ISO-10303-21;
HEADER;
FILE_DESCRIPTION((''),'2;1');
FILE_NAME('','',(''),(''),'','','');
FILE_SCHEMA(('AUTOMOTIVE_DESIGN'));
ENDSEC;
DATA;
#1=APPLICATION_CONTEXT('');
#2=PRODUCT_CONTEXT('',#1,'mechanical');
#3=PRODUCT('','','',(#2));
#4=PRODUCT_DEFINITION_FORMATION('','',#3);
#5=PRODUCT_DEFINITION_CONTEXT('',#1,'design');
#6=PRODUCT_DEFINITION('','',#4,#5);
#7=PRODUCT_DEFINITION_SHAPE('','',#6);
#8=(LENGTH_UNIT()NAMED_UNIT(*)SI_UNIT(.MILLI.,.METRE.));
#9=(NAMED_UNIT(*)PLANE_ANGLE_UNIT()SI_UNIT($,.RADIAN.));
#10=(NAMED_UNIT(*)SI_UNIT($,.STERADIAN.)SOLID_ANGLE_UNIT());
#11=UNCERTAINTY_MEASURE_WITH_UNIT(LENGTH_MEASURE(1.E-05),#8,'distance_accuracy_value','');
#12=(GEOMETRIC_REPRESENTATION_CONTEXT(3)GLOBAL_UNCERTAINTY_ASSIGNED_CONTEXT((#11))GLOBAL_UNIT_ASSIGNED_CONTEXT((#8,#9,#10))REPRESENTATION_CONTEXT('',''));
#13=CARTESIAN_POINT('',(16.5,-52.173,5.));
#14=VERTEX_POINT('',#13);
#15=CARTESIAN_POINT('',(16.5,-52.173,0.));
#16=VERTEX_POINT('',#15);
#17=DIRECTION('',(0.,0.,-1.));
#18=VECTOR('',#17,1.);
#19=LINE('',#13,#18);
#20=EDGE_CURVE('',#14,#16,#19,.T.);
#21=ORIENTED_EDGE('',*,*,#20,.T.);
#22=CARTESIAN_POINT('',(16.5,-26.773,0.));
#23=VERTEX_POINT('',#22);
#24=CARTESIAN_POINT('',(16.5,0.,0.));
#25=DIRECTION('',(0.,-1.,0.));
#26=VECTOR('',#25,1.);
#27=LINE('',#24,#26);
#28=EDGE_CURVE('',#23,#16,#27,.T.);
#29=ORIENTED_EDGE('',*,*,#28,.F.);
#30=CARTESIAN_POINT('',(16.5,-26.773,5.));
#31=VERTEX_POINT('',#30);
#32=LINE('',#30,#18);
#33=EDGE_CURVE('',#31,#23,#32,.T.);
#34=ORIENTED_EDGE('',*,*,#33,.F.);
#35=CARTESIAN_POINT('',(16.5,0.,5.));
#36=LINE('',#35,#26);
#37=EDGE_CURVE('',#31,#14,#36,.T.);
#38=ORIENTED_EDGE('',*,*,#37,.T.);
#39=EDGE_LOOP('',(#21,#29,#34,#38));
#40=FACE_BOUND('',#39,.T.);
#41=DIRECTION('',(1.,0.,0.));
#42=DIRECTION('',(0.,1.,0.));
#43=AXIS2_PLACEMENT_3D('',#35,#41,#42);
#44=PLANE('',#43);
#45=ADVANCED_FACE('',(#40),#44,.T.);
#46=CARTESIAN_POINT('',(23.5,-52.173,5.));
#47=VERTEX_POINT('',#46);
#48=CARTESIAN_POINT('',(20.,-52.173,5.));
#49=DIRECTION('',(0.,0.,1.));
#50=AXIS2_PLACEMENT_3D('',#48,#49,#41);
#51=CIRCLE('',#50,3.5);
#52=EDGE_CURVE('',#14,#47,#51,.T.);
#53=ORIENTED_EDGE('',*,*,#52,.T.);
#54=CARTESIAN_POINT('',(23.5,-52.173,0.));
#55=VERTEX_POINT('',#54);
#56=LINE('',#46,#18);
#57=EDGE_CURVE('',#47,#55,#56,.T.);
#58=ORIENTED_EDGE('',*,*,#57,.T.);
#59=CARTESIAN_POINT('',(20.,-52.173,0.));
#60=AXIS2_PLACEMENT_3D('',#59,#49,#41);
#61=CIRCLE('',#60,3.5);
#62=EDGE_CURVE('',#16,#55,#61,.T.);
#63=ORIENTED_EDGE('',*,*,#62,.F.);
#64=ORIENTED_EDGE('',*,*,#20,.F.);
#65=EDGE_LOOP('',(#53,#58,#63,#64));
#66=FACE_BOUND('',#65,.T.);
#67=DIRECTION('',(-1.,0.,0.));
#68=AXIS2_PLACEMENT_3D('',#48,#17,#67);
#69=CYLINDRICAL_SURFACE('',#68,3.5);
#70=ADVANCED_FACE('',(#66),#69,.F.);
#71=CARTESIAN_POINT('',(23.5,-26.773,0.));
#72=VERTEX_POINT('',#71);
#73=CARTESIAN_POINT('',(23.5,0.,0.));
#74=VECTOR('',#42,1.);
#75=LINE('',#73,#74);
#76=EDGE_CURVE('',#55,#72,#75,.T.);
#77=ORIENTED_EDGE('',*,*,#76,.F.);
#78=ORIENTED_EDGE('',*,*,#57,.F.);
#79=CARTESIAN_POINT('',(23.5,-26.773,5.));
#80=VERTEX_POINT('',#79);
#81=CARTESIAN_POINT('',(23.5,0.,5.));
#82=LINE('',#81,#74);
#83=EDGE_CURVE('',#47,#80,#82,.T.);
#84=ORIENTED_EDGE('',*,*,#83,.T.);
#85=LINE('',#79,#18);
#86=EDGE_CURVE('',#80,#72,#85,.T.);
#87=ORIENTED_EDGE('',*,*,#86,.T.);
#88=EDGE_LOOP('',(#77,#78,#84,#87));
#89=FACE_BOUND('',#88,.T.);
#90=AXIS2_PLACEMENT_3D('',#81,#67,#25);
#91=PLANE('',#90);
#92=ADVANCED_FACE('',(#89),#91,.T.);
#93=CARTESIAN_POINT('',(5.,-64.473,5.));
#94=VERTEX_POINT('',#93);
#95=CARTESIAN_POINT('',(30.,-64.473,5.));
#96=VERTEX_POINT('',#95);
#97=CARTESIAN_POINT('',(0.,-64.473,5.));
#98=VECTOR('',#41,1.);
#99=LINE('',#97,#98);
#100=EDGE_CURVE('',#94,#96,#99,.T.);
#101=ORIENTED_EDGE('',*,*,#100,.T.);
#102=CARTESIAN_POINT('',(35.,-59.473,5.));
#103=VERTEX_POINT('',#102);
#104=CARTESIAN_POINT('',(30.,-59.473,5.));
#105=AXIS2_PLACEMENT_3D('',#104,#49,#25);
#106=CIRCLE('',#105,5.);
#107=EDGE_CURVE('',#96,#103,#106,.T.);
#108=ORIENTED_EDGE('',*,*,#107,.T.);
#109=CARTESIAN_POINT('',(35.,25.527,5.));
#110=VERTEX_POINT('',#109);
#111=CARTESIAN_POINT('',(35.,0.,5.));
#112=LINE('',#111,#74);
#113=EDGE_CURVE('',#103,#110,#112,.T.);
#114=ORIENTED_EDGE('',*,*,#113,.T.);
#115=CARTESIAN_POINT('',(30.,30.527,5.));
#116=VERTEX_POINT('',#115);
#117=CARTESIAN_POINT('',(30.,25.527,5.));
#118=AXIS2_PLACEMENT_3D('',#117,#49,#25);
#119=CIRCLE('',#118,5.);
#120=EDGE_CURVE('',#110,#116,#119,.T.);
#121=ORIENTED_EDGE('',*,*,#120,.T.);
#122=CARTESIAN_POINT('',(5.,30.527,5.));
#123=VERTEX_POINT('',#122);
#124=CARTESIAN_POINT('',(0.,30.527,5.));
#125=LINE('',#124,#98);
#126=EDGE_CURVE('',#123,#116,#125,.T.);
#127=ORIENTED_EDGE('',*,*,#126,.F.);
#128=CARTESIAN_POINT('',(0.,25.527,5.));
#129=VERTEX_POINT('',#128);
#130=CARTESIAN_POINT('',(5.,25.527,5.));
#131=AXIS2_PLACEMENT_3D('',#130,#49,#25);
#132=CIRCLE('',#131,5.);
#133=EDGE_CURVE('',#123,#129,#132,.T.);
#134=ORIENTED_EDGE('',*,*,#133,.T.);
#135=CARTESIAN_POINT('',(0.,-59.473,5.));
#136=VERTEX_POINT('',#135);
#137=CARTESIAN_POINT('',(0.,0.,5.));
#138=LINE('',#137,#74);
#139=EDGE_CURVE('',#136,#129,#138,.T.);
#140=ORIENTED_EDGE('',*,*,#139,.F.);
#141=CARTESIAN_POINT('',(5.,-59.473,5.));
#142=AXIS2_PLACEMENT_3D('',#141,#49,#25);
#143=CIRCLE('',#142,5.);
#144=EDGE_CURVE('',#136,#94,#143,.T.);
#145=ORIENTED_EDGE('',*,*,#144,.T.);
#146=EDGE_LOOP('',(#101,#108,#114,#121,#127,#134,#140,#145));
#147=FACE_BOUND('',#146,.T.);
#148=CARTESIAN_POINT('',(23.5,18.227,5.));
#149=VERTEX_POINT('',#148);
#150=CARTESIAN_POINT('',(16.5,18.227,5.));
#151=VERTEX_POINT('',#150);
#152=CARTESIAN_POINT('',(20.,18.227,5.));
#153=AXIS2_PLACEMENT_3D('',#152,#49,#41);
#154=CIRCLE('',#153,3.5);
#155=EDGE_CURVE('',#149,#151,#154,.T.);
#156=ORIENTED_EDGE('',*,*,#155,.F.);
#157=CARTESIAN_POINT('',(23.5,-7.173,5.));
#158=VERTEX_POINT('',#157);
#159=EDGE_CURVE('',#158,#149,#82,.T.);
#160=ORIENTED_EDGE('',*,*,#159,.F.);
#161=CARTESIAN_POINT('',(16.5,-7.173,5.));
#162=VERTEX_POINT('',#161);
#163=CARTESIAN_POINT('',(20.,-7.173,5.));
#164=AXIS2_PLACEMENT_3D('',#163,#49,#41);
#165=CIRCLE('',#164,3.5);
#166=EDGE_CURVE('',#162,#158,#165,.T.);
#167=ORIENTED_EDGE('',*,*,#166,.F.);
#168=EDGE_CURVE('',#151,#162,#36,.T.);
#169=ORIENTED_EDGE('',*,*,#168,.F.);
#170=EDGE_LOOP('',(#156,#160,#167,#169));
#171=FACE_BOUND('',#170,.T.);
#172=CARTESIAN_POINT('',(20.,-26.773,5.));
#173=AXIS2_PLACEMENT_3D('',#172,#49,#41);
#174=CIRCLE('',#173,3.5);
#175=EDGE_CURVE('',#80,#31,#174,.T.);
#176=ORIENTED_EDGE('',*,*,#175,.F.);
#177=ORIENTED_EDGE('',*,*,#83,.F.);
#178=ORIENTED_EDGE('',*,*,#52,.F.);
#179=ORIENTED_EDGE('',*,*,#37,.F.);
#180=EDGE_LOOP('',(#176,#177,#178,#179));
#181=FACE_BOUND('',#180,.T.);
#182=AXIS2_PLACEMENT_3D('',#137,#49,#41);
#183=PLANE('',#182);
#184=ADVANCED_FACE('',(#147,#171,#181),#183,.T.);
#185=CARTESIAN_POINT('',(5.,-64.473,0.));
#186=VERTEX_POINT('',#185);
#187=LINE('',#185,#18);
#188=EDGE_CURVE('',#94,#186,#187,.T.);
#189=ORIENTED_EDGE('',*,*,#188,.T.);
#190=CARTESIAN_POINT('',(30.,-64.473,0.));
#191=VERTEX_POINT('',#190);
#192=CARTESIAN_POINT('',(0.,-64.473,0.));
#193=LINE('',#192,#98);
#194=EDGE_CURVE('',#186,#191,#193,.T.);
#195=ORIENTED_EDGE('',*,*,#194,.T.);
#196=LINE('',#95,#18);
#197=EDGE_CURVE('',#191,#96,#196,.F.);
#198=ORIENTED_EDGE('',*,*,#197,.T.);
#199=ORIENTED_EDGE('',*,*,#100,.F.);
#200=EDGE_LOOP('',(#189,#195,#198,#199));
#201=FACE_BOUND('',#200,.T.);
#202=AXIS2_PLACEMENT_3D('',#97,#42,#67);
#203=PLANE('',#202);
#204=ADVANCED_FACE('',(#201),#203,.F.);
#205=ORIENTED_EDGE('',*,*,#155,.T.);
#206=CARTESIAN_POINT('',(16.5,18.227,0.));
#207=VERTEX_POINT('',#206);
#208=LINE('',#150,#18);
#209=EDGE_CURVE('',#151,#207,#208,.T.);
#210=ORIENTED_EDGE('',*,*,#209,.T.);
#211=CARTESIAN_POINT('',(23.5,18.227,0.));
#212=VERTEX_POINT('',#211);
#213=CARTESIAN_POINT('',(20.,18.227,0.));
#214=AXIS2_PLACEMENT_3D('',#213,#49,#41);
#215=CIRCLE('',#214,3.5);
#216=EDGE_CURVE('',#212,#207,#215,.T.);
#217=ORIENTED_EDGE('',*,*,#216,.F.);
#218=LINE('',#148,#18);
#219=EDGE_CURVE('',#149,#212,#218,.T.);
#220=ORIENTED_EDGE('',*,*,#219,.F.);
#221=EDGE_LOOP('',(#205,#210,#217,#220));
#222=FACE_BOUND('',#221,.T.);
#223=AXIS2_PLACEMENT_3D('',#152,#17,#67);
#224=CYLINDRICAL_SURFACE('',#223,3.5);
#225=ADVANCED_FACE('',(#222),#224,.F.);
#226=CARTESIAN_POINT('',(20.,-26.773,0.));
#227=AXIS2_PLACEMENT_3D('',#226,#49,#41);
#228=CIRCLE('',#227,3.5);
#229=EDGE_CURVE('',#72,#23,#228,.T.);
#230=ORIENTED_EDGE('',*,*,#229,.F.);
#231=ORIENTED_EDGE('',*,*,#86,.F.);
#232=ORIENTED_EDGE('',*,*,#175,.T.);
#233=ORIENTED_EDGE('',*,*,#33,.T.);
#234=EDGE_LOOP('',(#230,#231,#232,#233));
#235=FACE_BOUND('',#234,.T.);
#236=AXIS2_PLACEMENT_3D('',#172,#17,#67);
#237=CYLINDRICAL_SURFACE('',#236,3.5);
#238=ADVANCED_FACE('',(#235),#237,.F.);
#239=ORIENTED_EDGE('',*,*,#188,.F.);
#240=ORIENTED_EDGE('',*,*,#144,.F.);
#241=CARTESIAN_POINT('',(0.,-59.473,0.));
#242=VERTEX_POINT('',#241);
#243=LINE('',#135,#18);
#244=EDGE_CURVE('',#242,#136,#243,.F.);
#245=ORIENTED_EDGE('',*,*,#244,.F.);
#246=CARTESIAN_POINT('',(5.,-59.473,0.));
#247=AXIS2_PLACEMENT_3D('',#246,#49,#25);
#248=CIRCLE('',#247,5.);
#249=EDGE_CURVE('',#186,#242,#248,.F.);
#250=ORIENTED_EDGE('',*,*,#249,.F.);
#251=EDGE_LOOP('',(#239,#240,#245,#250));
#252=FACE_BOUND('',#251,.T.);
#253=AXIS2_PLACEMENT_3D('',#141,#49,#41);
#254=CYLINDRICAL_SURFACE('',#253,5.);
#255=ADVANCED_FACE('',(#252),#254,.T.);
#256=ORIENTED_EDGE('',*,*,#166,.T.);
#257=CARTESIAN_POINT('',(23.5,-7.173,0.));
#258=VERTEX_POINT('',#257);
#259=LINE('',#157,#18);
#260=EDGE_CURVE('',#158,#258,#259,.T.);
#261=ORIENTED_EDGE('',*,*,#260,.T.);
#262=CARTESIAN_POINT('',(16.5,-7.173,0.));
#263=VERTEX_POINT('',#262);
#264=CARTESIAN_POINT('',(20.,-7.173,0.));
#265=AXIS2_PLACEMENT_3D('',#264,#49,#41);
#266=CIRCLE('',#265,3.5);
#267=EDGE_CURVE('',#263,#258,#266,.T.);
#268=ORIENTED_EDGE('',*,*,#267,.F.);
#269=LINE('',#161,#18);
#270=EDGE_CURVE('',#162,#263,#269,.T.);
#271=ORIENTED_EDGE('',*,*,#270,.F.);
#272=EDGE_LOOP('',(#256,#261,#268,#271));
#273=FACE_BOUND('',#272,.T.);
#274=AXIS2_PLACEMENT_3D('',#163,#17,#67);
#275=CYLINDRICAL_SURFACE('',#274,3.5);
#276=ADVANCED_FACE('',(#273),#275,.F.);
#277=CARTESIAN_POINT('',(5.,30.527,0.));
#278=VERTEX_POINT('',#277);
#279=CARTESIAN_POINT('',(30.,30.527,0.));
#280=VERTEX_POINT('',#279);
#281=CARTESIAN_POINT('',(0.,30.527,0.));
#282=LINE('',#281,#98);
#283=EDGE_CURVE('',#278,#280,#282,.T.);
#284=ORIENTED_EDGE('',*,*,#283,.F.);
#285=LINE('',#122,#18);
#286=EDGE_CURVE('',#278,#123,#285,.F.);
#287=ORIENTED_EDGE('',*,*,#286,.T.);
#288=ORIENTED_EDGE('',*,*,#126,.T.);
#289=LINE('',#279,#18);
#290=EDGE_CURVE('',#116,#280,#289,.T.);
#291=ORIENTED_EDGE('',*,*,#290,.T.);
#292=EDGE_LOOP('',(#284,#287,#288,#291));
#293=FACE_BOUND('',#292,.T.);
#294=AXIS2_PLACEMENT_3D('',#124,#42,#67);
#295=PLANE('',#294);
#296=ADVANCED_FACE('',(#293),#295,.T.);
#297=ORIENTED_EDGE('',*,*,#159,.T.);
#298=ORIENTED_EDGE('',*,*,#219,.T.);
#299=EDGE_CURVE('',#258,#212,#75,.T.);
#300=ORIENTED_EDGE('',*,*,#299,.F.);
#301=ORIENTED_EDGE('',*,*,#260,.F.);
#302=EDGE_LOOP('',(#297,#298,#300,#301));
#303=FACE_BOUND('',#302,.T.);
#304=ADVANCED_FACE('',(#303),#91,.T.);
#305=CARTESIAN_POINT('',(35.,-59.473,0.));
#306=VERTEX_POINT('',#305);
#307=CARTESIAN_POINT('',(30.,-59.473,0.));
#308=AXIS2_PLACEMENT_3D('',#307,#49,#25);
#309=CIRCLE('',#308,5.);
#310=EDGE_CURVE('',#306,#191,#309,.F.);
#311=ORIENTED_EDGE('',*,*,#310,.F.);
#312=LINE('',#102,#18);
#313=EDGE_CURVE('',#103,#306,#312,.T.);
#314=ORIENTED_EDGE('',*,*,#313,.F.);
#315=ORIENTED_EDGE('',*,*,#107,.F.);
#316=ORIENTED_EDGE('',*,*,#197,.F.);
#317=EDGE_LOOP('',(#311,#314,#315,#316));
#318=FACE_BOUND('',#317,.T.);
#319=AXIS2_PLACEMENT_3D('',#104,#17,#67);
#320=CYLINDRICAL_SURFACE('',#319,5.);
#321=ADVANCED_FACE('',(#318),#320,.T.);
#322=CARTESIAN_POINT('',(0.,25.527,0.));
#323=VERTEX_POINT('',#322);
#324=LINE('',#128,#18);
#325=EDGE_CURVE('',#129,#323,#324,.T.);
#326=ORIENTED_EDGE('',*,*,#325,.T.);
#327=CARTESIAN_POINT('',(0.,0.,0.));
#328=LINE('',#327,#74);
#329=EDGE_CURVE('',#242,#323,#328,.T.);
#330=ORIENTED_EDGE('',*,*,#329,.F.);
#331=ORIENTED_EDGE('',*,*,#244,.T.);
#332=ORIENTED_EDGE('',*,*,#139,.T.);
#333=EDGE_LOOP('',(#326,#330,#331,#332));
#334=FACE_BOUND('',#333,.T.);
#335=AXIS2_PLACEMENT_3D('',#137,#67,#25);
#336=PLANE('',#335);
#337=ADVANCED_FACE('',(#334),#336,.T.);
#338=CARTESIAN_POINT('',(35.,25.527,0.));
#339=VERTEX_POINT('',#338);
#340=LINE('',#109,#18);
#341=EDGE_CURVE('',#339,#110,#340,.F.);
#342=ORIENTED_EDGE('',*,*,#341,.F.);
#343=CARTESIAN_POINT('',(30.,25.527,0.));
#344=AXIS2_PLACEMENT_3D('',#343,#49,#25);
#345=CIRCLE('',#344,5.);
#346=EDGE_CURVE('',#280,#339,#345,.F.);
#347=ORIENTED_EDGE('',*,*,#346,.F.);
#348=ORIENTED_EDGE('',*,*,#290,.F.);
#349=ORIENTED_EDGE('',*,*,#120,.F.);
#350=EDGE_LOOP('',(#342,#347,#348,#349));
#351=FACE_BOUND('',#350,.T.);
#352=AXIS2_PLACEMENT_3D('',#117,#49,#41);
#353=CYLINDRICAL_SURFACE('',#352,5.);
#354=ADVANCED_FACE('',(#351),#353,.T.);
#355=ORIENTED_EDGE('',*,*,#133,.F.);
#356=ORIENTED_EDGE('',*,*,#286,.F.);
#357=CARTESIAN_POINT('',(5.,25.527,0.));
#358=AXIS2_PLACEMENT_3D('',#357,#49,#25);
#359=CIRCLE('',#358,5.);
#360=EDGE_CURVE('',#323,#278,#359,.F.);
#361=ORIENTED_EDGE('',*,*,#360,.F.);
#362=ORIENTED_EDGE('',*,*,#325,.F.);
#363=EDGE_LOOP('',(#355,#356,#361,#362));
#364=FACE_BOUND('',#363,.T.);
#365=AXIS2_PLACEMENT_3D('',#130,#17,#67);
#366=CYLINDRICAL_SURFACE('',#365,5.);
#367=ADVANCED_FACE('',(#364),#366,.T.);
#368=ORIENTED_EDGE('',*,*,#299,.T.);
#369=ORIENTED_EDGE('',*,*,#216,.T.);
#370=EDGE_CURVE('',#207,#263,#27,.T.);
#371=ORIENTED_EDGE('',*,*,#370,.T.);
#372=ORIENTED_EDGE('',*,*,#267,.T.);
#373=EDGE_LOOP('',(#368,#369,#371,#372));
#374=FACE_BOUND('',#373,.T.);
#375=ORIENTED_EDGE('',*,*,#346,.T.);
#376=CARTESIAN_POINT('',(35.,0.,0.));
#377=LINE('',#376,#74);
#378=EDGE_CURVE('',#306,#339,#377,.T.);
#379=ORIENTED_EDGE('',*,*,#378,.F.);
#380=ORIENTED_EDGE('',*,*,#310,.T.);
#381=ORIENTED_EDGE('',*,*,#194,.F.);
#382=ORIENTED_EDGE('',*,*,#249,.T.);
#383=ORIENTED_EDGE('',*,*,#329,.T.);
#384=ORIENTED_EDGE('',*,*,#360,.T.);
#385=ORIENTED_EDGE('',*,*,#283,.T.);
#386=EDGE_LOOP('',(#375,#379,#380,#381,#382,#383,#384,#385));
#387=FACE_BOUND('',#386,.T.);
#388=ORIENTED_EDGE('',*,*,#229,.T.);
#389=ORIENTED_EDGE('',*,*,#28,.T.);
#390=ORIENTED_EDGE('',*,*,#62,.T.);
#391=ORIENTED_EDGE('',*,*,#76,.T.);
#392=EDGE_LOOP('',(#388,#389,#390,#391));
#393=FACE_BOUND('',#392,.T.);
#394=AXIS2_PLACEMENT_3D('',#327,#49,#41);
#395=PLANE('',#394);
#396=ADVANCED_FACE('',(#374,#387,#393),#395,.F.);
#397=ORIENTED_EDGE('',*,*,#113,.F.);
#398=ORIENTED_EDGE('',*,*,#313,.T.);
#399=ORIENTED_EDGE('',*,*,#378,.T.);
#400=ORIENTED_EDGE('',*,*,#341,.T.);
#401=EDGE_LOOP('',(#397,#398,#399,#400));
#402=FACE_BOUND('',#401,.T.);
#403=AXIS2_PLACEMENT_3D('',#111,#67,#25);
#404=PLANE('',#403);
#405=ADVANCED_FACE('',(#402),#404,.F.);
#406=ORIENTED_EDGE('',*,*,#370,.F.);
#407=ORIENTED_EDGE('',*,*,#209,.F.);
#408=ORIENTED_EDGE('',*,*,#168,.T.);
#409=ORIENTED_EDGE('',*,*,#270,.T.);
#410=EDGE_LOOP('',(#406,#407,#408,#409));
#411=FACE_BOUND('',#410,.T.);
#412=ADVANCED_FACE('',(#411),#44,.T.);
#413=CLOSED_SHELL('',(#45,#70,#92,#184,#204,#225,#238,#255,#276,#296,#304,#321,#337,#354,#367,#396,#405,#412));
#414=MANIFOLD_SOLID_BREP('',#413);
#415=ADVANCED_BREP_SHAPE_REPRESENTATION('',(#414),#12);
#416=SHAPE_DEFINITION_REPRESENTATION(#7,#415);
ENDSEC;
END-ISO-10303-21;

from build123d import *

# Parameters (mm, degrees)
SKETCH1_W           = 35
SKETCH1_H           = 95
BOSS_EXTRUDE1_DEPTH = 5
FILLET1_R           = 5


with BuildPart() as part:
    # Sketch1 → Boss-Extrude1 (new body)
    with BuildSketch(Plane.XY):
        with Locations((17.5, -16.973)):
            Rectangle(SKETCH1_W, SKETCH1_H)
        with BuildLine():
            ThreePointArc((16.5, -7.173), (20, -10.673), (23.5, -7.173))
            Line((23.5, -7.173), (23.5, 18.227))
            ThreePointArc((23.5, 18.227), (20, 21.727), (16.5, 18.227))
            Line((16.5, 18.227), (16.5, -7.173))
        make_face(mode=Mode.SUBTRACT)
        with BuildLine():
            ThreePointArc((23.5, -26.773), (20, -23.273), (16.5, -26.773))
            Line((16.5, -26.773), (16.5, -52.173))
            ThreePointArc((16.5, -52.173), (20, -55.673), (23.5, -52.173))
            Line((23.5, -52.173), (23.5, -26.773))
        make_face(mode=Mode.SUBTRACT)
    extrude(amount=BOSS_EXTRUDE1_DEPTH)

    # Fillet1
    fillet1_edges = [part.edges().sort_by_distance(p)[0] for p in [
        (0, -64.473, 2.5),
        (0, 30.527, 2.5),
        (35, 30.527, 2.5),
        (35, -64.473, 2.5),
    ]]
    fillet(fillet1_edges, radius=FILLET1_R)


solid = part.part
